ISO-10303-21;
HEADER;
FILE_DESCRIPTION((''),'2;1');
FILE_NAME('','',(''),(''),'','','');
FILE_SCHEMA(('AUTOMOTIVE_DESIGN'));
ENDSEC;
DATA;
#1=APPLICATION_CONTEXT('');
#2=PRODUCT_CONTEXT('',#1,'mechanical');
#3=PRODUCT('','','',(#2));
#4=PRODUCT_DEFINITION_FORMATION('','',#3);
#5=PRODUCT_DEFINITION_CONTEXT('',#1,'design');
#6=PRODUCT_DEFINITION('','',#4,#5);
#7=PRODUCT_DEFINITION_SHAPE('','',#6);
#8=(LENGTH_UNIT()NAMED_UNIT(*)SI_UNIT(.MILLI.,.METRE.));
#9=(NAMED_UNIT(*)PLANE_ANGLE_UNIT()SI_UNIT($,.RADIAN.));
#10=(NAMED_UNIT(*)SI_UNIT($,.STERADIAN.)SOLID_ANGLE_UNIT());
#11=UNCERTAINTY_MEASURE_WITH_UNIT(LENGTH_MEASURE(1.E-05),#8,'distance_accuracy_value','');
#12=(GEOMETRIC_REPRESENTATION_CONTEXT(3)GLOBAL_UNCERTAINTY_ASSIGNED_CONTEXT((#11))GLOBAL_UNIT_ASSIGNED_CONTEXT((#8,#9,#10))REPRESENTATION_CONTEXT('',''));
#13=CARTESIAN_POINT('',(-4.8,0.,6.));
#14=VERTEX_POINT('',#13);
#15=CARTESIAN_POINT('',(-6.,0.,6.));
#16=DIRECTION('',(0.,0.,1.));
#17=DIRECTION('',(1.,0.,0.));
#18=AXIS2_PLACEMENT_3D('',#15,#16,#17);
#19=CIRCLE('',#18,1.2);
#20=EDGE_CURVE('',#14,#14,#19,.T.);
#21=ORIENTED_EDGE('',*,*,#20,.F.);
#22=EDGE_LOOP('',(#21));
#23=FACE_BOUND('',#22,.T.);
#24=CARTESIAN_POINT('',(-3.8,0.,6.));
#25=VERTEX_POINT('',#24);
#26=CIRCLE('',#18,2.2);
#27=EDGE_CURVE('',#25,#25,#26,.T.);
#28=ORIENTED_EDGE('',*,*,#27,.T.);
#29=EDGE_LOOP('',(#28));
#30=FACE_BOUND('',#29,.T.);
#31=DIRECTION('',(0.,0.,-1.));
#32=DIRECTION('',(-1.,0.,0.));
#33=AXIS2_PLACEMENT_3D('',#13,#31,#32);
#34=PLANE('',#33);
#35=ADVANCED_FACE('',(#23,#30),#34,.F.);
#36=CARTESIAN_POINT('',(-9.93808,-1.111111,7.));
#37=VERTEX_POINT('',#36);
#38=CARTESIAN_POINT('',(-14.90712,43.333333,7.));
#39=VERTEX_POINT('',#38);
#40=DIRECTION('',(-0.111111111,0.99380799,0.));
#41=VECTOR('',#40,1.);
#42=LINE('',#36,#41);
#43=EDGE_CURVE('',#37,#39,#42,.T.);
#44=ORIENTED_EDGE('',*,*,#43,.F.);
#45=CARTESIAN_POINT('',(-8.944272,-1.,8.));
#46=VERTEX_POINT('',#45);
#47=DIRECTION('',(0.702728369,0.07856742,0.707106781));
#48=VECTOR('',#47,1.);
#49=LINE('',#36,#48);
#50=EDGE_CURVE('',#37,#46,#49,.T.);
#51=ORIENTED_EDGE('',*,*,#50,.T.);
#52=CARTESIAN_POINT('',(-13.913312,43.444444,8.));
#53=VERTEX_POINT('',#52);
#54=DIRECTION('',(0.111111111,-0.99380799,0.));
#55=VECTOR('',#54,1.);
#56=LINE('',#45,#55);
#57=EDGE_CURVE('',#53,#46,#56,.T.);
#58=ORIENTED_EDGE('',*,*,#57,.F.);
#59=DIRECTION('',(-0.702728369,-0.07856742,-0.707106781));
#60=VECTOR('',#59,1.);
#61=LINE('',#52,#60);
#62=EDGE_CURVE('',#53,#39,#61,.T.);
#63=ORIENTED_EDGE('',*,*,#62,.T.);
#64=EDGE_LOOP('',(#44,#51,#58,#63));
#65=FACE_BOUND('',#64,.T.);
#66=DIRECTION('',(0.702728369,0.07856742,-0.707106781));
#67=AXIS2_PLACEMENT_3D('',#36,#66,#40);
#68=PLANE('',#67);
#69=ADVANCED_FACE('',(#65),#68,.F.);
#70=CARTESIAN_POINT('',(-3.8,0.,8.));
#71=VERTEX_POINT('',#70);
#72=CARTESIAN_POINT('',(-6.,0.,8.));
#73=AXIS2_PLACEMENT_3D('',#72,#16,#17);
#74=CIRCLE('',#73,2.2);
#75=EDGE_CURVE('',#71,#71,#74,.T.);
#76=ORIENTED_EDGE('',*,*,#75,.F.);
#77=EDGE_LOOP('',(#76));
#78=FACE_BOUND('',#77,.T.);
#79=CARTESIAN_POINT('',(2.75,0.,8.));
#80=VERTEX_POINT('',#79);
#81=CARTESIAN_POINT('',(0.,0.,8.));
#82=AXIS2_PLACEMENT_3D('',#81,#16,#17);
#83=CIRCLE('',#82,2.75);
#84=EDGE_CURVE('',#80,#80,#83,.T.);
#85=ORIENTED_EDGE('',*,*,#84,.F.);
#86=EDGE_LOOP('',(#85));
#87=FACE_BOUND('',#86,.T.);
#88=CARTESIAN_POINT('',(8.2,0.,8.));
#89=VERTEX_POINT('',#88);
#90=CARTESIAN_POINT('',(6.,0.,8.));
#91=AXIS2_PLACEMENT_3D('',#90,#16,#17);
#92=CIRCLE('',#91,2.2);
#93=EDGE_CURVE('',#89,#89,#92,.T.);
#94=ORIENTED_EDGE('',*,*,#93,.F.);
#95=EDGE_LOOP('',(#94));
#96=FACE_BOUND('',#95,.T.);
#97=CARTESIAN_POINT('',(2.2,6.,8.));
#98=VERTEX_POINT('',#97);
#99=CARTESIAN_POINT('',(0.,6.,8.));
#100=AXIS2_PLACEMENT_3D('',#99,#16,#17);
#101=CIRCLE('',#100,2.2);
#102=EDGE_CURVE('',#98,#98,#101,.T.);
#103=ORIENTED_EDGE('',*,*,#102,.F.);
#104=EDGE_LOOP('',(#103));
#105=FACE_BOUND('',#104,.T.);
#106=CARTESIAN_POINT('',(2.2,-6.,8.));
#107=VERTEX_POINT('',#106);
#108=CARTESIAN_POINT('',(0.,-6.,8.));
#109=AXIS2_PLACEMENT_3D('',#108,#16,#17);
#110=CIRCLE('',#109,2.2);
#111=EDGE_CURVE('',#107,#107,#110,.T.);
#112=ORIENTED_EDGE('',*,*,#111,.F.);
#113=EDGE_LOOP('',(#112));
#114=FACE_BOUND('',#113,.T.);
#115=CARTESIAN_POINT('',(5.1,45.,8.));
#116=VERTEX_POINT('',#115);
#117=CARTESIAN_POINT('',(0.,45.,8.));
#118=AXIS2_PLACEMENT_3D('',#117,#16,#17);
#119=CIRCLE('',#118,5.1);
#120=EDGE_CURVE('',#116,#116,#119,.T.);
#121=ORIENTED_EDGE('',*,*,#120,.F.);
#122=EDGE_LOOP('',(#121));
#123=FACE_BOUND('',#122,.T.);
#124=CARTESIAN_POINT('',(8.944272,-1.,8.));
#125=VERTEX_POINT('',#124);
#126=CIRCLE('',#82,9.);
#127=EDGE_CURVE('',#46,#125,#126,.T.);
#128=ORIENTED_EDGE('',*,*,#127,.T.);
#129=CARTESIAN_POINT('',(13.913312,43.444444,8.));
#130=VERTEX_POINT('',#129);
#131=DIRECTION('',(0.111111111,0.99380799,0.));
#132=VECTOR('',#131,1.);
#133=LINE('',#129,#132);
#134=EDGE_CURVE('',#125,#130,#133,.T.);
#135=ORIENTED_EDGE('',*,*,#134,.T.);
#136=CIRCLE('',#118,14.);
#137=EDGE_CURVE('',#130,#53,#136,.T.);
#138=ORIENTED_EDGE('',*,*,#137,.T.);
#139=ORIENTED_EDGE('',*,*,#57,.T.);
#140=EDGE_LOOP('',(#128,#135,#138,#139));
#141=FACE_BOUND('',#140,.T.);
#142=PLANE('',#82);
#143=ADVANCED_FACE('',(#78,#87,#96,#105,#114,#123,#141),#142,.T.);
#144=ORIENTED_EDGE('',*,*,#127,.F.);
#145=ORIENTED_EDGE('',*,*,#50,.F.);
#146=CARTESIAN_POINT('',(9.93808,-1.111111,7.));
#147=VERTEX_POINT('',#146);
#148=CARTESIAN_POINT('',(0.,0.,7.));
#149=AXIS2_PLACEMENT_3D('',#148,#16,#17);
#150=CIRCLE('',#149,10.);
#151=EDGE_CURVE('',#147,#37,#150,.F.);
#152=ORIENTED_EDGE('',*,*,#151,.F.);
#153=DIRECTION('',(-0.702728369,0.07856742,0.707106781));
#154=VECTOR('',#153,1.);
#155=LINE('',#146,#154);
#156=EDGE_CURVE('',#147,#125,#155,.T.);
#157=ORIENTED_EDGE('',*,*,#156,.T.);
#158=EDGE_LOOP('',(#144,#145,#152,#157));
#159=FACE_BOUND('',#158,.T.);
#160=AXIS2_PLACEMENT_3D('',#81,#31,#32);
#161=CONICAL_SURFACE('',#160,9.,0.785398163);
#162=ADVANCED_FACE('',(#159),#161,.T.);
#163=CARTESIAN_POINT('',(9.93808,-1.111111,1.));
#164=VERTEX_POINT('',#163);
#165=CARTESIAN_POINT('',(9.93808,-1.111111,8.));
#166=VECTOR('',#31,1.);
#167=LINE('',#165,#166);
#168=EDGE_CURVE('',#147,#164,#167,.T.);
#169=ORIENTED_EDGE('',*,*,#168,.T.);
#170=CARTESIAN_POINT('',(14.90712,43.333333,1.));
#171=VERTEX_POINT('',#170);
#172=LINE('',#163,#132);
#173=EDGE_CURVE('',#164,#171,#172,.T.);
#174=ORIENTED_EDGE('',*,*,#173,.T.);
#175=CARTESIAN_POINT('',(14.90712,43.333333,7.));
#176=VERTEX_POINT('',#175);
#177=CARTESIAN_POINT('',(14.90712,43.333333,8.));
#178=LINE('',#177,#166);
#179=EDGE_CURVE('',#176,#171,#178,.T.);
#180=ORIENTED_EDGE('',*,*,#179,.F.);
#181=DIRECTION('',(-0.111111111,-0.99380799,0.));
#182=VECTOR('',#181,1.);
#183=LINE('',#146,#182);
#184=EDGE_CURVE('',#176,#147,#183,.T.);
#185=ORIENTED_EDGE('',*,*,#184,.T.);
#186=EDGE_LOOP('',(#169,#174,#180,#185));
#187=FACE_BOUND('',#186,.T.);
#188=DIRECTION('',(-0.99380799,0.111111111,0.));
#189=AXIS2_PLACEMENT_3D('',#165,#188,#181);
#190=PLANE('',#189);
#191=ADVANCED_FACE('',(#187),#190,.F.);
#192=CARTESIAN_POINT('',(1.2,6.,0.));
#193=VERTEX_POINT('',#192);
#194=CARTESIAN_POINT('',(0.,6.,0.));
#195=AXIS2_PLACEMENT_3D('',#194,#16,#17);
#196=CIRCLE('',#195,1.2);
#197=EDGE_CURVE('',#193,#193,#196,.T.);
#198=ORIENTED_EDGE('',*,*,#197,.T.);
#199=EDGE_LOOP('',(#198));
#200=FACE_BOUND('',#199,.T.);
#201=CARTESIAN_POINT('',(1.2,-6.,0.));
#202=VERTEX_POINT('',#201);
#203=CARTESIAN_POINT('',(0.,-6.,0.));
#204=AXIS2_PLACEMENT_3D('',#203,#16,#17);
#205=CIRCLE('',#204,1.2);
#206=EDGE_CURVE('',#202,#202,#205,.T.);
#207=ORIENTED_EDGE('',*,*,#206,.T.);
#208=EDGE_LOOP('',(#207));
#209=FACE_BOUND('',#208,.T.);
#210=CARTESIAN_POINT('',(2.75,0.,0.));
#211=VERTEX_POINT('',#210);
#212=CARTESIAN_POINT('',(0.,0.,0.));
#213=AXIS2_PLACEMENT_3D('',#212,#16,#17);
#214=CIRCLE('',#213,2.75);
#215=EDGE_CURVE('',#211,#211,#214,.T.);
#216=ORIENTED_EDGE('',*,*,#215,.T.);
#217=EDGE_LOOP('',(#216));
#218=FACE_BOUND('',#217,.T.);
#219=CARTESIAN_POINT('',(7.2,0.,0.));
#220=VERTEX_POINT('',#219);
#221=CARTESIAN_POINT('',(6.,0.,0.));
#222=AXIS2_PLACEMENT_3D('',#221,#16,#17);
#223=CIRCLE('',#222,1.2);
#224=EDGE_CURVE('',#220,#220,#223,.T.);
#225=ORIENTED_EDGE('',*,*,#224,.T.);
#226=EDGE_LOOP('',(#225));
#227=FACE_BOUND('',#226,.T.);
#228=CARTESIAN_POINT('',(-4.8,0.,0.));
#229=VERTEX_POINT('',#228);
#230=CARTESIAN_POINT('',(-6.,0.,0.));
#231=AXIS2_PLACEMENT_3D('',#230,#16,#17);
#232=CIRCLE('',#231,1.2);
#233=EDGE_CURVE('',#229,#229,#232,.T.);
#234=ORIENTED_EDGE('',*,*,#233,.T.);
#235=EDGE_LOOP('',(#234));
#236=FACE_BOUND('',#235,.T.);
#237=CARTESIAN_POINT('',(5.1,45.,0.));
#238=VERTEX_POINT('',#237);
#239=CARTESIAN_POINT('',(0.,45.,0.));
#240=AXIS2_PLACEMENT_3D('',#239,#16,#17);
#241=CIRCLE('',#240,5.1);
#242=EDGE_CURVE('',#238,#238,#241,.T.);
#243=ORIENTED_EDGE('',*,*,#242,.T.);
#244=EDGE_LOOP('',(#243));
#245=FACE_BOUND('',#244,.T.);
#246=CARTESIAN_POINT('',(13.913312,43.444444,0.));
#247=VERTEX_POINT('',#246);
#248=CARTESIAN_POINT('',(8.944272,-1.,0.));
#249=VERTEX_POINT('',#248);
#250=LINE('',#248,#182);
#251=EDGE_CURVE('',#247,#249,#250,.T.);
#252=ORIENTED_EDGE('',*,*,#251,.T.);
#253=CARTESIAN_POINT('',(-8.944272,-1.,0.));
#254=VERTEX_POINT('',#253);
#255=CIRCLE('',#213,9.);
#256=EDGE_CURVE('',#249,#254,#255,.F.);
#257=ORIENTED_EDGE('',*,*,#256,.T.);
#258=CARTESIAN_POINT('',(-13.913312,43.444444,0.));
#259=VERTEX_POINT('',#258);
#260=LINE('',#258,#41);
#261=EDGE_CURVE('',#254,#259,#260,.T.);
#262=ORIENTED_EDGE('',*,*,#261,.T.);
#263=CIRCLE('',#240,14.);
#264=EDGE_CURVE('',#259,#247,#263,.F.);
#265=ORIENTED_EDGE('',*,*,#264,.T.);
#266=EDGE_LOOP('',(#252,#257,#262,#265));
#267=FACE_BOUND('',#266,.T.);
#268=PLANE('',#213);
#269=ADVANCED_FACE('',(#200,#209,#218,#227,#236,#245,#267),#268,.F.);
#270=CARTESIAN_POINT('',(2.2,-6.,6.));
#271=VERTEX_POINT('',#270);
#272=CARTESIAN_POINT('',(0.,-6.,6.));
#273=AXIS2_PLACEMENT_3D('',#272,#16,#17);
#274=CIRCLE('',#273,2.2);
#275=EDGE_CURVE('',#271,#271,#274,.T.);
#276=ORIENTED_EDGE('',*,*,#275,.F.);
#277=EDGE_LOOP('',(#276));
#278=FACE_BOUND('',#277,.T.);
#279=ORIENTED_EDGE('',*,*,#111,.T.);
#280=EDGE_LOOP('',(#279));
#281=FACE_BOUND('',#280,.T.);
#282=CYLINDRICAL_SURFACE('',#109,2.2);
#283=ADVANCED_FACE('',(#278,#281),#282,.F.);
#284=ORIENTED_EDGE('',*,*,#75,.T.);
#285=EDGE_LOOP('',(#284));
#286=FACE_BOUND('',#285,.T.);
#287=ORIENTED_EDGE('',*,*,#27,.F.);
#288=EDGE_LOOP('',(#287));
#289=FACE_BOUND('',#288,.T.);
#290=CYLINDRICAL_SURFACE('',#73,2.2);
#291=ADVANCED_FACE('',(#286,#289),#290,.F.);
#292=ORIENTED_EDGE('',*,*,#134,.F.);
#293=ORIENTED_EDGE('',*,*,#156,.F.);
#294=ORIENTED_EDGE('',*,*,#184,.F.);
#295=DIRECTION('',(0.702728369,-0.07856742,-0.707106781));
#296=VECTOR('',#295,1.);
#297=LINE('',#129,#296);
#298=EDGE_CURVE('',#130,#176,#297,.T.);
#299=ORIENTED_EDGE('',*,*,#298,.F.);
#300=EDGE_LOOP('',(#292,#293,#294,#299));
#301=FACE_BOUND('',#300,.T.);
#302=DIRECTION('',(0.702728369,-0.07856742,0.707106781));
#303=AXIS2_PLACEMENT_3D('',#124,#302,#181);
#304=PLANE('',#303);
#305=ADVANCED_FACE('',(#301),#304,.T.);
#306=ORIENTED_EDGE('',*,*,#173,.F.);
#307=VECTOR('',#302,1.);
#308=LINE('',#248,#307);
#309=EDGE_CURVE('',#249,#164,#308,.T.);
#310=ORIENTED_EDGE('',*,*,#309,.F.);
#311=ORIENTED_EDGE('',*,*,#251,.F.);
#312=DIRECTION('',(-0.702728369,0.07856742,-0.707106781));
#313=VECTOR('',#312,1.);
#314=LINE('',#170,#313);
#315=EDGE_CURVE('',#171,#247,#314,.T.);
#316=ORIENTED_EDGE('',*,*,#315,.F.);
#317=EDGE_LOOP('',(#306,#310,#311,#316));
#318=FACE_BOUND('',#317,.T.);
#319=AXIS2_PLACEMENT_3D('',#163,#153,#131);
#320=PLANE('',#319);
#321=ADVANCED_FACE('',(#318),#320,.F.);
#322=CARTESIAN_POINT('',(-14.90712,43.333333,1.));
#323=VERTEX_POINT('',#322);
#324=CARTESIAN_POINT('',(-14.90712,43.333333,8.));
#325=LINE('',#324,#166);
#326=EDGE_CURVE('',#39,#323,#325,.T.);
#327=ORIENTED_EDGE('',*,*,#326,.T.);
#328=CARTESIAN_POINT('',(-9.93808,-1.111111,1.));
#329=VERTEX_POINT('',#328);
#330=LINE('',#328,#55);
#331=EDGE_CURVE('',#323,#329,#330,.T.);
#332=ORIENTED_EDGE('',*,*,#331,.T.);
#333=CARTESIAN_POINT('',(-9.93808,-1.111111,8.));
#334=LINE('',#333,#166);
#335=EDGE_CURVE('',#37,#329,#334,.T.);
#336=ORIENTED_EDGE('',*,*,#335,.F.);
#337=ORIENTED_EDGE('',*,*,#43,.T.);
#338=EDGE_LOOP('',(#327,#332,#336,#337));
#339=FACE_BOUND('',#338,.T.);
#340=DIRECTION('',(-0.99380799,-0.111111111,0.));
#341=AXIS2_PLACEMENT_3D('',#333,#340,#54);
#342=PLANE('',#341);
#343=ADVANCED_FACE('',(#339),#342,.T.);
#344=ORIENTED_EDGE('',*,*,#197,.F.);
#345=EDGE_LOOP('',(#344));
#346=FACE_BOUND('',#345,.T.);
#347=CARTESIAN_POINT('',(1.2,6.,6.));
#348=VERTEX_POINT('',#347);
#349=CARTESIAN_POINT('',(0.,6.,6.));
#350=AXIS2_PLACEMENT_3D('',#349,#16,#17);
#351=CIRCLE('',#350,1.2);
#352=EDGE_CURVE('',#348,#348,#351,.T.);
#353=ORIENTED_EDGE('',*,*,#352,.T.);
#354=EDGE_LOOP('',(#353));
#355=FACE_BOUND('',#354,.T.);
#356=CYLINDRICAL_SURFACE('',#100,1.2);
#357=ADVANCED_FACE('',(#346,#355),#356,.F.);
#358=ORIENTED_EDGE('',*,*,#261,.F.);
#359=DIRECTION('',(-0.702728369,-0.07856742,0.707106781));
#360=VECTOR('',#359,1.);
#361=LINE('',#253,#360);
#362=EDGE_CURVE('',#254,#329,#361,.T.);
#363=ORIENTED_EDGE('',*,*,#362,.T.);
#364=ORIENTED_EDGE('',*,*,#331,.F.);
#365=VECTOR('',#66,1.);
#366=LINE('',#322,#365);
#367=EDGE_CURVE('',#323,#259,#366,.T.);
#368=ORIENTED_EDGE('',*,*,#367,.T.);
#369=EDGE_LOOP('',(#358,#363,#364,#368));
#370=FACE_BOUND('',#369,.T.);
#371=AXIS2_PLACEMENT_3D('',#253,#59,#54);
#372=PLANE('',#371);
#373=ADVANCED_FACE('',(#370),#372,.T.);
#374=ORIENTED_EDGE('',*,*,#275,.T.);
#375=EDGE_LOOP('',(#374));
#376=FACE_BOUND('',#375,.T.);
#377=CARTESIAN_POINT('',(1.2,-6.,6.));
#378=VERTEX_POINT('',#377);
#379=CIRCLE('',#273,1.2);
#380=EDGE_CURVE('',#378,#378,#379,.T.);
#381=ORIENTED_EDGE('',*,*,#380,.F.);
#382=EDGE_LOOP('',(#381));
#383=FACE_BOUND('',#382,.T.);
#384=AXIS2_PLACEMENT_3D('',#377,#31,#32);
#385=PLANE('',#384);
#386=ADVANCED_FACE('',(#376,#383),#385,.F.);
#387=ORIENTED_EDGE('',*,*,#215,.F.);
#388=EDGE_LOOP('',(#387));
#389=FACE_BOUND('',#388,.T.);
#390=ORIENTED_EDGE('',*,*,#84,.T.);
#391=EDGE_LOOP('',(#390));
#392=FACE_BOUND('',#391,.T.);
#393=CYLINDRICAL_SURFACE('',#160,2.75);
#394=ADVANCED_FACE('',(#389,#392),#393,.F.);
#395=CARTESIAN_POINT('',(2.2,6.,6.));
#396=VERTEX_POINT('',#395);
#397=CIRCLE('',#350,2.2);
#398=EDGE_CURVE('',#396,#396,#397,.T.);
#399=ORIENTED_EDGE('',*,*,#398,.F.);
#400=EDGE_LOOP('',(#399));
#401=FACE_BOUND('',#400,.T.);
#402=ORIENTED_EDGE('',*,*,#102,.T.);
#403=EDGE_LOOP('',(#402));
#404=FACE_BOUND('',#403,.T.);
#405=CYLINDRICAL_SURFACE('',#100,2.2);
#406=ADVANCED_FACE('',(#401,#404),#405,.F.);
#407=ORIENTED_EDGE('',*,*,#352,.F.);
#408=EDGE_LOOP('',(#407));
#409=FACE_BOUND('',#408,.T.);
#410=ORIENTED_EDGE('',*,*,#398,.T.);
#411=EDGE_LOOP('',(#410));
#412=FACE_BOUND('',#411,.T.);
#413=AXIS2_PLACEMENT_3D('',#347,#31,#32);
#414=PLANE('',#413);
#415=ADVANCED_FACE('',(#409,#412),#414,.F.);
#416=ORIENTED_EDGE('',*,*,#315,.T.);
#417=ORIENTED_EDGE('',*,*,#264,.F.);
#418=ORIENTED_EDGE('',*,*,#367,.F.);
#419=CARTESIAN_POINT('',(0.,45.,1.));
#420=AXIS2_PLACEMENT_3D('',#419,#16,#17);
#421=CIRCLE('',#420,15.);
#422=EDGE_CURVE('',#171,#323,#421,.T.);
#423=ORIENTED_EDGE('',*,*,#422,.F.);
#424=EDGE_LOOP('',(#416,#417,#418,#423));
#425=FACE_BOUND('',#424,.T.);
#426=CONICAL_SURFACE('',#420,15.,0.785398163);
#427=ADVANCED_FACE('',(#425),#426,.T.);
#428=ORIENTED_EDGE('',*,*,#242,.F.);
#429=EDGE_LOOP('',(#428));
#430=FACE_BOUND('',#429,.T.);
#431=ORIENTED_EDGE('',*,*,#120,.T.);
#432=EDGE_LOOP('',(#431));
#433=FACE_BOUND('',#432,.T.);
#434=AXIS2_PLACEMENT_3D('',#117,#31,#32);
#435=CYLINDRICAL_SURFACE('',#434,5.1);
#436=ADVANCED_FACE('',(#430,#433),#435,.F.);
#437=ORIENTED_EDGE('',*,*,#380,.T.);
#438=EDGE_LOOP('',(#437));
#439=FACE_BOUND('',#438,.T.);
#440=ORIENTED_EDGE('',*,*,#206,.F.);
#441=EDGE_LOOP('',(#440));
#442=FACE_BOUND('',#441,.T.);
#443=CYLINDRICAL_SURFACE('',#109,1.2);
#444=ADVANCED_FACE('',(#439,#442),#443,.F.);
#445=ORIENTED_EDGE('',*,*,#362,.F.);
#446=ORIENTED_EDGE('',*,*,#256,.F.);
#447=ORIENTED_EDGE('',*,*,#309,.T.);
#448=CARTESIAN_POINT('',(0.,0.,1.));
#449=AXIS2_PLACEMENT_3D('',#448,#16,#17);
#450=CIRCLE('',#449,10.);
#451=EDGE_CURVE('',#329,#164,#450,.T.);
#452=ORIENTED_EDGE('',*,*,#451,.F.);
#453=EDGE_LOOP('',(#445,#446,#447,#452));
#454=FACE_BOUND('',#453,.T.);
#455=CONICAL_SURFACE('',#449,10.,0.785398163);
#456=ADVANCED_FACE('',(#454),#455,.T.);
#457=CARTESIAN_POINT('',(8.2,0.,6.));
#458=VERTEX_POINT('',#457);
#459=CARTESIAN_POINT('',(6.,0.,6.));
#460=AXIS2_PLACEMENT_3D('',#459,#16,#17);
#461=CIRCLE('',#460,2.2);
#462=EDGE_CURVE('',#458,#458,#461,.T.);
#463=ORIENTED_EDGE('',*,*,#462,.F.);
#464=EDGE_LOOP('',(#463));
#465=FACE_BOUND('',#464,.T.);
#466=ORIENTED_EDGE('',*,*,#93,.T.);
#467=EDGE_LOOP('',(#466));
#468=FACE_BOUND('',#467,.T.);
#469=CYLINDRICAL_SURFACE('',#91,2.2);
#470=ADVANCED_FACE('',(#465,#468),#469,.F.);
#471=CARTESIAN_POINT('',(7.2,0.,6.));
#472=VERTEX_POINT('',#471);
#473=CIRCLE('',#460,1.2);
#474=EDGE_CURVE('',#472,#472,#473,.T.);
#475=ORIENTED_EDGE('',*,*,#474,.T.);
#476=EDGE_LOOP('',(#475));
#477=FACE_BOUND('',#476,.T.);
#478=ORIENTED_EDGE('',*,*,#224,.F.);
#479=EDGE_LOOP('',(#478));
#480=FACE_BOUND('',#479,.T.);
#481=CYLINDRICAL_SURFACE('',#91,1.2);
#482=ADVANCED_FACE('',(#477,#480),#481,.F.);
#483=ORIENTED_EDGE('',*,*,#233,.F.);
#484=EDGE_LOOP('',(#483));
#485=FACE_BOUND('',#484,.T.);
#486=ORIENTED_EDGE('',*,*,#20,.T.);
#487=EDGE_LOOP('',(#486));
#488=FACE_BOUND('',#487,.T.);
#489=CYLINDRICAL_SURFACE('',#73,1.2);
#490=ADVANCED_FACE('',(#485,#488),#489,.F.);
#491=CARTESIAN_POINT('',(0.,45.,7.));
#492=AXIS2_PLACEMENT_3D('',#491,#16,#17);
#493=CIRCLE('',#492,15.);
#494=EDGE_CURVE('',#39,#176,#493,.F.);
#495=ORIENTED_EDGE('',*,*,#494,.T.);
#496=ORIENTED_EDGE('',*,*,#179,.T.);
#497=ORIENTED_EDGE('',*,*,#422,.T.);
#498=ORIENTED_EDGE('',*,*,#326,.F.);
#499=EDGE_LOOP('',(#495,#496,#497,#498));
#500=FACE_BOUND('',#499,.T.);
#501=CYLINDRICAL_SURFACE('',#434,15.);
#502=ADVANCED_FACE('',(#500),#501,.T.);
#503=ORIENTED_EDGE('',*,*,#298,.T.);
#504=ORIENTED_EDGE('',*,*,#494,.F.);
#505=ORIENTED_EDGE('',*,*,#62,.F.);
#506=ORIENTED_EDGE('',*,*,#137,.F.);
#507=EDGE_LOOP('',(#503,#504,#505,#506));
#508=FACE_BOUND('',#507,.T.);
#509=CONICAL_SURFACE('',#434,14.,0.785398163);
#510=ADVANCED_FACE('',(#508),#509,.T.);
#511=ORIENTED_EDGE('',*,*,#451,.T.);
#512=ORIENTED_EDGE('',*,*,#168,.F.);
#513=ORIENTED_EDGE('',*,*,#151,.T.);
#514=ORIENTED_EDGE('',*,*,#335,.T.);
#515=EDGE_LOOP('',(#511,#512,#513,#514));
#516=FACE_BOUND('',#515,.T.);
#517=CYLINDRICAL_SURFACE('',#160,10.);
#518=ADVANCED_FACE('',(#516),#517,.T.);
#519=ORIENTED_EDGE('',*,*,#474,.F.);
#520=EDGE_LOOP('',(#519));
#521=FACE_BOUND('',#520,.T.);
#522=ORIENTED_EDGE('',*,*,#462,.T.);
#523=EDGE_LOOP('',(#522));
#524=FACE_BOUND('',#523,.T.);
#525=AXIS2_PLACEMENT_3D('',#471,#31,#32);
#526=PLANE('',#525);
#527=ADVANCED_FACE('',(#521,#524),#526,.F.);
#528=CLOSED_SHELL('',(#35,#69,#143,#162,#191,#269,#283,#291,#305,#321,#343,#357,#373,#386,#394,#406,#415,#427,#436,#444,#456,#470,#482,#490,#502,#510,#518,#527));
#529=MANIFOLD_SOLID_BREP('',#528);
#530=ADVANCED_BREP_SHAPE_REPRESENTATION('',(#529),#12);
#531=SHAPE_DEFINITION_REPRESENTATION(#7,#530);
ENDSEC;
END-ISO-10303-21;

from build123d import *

# Parameters (mm, degrees)
SKETCH1_R                      = 2.75
SKETCH1_R_2                    = 5.1
BOSS_EXTRUDE1_DEPTH            = 8
CBORE_FOR_M2_SHCS1_D           = 2.4
CBORE_FOR_M2_SHCS1_CBORE_D     = 4.4
CBORE_FOR_M2_SHCS1_CBORE_DEPTH = 2
CHAMFER1_SIZE                  = 1


with BuildPart() as part:
    # Sketch1 → Boss-Extrude1 (new body)
    with BuildSketch(Plane.XY):
        with BuildLine():
            Line((9.9380799, -1.111111111), (14.90711985, 43.333333333))
            ThreePointArc((14.90711985, 43.333333333), (0, 60), (-14.90711985, 43.333333333))
            Line((-14.90711985, 43.333333333), (-9.9380799, -1.111111111))
            ThreePointArc((-9.9380799, -1.111111111), (0, -10), (9.9380799, -1.111111111))
        make_face()
        Circle(SKETCH1_R, mode=Mode.SUBTRACT)
        with Locations((0, 45)):
            Circle(SKETCH1_R_2, mode=Mode.SUBTRACT)
    extrude(amount=BOSS_EXTRUDE1_DEPTH)

    # CBORE for M2 SHCS1 (through all)
    with Locations(Plane.XY.offset(8)):
        with Locations((0, -6), (-6, 0), (0, 6), (6, 0)):
            CounterBoreHole(CBORE_FOR_M2_SHCS1_D / 2, CBORE_FOR_M2_SHCS1_CBORE_D / 2, CBORE_FOR_M2_SHCS1_CBORE_DEPTH)

    # Chamfer1
    chamfer1_edges = [part.edges().sort_by_distance(p)[0] for p in [
        (12.422599875, 21.111111111, 8),
        (0, 60, 8),
        (-12.422599875, 21.111111111, 8),
        (0, -10, 8),
        (0, -10, 0),
        (-12.422599875, 21.111111111, 0),
        (0, 60, 0),
        (12.422599875, 21.111111111, 0),
    ]]
    chamfer(chamfer1_edges, length=CHAMFER1_SIZE)


solid = part.part
